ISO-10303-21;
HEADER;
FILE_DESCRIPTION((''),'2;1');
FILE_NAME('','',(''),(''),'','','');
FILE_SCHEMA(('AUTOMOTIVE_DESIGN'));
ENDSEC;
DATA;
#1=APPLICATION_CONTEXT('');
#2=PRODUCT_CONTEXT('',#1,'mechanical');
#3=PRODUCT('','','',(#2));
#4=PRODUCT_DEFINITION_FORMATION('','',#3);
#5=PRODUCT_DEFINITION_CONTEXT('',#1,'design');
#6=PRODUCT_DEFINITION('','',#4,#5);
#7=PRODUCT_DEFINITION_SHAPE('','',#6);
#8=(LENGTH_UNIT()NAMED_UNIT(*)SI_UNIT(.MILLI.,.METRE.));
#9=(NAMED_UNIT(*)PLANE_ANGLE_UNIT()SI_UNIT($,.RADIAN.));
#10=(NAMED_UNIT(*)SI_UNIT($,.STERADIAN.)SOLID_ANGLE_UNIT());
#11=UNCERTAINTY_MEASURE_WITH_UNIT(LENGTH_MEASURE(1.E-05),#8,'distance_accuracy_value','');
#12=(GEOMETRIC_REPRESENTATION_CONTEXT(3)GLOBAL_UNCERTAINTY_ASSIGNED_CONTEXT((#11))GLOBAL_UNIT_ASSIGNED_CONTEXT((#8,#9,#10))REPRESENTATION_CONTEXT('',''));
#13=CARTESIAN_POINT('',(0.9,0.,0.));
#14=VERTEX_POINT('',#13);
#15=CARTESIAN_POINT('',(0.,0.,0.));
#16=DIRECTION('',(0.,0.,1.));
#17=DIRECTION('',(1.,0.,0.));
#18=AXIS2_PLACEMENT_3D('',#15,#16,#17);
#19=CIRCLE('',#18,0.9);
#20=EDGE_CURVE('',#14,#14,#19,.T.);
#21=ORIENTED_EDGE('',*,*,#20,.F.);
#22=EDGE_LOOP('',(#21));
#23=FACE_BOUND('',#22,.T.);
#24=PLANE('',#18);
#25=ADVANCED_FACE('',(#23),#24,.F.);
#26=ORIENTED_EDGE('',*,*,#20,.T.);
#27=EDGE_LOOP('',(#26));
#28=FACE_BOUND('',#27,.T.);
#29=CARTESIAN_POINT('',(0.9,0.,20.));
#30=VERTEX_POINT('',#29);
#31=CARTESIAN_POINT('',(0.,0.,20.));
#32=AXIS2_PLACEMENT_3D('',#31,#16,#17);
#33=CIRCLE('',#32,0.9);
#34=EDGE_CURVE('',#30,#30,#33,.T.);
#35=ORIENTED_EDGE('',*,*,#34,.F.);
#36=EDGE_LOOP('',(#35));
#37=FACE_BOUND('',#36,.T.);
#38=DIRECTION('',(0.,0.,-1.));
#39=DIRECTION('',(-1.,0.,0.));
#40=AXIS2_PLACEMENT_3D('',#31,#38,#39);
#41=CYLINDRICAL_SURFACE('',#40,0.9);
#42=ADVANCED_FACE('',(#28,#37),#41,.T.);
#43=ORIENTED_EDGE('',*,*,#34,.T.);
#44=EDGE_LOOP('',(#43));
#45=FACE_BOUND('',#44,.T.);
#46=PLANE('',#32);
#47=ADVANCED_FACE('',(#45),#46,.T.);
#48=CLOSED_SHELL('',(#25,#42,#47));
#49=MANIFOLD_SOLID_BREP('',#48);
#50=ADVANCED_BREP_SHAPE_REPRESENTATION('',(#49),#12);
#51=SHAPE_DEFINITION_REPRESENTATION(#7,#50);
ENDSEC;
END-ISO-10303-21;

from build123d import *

# Parameters (mm, degrees)
SKETCH_1_R      = 0.9
EXTRUDE_1_DEPTH = 20


with BuildPart() as part:
    # 草图1 → 凸台-拉伸1 (new body)
    with BuildSketch(Plane.XY):
        Circle(SKETCH_1_R)
    extrude(amount=EXTRUDE_1_DEPTH)


solid = part.part
